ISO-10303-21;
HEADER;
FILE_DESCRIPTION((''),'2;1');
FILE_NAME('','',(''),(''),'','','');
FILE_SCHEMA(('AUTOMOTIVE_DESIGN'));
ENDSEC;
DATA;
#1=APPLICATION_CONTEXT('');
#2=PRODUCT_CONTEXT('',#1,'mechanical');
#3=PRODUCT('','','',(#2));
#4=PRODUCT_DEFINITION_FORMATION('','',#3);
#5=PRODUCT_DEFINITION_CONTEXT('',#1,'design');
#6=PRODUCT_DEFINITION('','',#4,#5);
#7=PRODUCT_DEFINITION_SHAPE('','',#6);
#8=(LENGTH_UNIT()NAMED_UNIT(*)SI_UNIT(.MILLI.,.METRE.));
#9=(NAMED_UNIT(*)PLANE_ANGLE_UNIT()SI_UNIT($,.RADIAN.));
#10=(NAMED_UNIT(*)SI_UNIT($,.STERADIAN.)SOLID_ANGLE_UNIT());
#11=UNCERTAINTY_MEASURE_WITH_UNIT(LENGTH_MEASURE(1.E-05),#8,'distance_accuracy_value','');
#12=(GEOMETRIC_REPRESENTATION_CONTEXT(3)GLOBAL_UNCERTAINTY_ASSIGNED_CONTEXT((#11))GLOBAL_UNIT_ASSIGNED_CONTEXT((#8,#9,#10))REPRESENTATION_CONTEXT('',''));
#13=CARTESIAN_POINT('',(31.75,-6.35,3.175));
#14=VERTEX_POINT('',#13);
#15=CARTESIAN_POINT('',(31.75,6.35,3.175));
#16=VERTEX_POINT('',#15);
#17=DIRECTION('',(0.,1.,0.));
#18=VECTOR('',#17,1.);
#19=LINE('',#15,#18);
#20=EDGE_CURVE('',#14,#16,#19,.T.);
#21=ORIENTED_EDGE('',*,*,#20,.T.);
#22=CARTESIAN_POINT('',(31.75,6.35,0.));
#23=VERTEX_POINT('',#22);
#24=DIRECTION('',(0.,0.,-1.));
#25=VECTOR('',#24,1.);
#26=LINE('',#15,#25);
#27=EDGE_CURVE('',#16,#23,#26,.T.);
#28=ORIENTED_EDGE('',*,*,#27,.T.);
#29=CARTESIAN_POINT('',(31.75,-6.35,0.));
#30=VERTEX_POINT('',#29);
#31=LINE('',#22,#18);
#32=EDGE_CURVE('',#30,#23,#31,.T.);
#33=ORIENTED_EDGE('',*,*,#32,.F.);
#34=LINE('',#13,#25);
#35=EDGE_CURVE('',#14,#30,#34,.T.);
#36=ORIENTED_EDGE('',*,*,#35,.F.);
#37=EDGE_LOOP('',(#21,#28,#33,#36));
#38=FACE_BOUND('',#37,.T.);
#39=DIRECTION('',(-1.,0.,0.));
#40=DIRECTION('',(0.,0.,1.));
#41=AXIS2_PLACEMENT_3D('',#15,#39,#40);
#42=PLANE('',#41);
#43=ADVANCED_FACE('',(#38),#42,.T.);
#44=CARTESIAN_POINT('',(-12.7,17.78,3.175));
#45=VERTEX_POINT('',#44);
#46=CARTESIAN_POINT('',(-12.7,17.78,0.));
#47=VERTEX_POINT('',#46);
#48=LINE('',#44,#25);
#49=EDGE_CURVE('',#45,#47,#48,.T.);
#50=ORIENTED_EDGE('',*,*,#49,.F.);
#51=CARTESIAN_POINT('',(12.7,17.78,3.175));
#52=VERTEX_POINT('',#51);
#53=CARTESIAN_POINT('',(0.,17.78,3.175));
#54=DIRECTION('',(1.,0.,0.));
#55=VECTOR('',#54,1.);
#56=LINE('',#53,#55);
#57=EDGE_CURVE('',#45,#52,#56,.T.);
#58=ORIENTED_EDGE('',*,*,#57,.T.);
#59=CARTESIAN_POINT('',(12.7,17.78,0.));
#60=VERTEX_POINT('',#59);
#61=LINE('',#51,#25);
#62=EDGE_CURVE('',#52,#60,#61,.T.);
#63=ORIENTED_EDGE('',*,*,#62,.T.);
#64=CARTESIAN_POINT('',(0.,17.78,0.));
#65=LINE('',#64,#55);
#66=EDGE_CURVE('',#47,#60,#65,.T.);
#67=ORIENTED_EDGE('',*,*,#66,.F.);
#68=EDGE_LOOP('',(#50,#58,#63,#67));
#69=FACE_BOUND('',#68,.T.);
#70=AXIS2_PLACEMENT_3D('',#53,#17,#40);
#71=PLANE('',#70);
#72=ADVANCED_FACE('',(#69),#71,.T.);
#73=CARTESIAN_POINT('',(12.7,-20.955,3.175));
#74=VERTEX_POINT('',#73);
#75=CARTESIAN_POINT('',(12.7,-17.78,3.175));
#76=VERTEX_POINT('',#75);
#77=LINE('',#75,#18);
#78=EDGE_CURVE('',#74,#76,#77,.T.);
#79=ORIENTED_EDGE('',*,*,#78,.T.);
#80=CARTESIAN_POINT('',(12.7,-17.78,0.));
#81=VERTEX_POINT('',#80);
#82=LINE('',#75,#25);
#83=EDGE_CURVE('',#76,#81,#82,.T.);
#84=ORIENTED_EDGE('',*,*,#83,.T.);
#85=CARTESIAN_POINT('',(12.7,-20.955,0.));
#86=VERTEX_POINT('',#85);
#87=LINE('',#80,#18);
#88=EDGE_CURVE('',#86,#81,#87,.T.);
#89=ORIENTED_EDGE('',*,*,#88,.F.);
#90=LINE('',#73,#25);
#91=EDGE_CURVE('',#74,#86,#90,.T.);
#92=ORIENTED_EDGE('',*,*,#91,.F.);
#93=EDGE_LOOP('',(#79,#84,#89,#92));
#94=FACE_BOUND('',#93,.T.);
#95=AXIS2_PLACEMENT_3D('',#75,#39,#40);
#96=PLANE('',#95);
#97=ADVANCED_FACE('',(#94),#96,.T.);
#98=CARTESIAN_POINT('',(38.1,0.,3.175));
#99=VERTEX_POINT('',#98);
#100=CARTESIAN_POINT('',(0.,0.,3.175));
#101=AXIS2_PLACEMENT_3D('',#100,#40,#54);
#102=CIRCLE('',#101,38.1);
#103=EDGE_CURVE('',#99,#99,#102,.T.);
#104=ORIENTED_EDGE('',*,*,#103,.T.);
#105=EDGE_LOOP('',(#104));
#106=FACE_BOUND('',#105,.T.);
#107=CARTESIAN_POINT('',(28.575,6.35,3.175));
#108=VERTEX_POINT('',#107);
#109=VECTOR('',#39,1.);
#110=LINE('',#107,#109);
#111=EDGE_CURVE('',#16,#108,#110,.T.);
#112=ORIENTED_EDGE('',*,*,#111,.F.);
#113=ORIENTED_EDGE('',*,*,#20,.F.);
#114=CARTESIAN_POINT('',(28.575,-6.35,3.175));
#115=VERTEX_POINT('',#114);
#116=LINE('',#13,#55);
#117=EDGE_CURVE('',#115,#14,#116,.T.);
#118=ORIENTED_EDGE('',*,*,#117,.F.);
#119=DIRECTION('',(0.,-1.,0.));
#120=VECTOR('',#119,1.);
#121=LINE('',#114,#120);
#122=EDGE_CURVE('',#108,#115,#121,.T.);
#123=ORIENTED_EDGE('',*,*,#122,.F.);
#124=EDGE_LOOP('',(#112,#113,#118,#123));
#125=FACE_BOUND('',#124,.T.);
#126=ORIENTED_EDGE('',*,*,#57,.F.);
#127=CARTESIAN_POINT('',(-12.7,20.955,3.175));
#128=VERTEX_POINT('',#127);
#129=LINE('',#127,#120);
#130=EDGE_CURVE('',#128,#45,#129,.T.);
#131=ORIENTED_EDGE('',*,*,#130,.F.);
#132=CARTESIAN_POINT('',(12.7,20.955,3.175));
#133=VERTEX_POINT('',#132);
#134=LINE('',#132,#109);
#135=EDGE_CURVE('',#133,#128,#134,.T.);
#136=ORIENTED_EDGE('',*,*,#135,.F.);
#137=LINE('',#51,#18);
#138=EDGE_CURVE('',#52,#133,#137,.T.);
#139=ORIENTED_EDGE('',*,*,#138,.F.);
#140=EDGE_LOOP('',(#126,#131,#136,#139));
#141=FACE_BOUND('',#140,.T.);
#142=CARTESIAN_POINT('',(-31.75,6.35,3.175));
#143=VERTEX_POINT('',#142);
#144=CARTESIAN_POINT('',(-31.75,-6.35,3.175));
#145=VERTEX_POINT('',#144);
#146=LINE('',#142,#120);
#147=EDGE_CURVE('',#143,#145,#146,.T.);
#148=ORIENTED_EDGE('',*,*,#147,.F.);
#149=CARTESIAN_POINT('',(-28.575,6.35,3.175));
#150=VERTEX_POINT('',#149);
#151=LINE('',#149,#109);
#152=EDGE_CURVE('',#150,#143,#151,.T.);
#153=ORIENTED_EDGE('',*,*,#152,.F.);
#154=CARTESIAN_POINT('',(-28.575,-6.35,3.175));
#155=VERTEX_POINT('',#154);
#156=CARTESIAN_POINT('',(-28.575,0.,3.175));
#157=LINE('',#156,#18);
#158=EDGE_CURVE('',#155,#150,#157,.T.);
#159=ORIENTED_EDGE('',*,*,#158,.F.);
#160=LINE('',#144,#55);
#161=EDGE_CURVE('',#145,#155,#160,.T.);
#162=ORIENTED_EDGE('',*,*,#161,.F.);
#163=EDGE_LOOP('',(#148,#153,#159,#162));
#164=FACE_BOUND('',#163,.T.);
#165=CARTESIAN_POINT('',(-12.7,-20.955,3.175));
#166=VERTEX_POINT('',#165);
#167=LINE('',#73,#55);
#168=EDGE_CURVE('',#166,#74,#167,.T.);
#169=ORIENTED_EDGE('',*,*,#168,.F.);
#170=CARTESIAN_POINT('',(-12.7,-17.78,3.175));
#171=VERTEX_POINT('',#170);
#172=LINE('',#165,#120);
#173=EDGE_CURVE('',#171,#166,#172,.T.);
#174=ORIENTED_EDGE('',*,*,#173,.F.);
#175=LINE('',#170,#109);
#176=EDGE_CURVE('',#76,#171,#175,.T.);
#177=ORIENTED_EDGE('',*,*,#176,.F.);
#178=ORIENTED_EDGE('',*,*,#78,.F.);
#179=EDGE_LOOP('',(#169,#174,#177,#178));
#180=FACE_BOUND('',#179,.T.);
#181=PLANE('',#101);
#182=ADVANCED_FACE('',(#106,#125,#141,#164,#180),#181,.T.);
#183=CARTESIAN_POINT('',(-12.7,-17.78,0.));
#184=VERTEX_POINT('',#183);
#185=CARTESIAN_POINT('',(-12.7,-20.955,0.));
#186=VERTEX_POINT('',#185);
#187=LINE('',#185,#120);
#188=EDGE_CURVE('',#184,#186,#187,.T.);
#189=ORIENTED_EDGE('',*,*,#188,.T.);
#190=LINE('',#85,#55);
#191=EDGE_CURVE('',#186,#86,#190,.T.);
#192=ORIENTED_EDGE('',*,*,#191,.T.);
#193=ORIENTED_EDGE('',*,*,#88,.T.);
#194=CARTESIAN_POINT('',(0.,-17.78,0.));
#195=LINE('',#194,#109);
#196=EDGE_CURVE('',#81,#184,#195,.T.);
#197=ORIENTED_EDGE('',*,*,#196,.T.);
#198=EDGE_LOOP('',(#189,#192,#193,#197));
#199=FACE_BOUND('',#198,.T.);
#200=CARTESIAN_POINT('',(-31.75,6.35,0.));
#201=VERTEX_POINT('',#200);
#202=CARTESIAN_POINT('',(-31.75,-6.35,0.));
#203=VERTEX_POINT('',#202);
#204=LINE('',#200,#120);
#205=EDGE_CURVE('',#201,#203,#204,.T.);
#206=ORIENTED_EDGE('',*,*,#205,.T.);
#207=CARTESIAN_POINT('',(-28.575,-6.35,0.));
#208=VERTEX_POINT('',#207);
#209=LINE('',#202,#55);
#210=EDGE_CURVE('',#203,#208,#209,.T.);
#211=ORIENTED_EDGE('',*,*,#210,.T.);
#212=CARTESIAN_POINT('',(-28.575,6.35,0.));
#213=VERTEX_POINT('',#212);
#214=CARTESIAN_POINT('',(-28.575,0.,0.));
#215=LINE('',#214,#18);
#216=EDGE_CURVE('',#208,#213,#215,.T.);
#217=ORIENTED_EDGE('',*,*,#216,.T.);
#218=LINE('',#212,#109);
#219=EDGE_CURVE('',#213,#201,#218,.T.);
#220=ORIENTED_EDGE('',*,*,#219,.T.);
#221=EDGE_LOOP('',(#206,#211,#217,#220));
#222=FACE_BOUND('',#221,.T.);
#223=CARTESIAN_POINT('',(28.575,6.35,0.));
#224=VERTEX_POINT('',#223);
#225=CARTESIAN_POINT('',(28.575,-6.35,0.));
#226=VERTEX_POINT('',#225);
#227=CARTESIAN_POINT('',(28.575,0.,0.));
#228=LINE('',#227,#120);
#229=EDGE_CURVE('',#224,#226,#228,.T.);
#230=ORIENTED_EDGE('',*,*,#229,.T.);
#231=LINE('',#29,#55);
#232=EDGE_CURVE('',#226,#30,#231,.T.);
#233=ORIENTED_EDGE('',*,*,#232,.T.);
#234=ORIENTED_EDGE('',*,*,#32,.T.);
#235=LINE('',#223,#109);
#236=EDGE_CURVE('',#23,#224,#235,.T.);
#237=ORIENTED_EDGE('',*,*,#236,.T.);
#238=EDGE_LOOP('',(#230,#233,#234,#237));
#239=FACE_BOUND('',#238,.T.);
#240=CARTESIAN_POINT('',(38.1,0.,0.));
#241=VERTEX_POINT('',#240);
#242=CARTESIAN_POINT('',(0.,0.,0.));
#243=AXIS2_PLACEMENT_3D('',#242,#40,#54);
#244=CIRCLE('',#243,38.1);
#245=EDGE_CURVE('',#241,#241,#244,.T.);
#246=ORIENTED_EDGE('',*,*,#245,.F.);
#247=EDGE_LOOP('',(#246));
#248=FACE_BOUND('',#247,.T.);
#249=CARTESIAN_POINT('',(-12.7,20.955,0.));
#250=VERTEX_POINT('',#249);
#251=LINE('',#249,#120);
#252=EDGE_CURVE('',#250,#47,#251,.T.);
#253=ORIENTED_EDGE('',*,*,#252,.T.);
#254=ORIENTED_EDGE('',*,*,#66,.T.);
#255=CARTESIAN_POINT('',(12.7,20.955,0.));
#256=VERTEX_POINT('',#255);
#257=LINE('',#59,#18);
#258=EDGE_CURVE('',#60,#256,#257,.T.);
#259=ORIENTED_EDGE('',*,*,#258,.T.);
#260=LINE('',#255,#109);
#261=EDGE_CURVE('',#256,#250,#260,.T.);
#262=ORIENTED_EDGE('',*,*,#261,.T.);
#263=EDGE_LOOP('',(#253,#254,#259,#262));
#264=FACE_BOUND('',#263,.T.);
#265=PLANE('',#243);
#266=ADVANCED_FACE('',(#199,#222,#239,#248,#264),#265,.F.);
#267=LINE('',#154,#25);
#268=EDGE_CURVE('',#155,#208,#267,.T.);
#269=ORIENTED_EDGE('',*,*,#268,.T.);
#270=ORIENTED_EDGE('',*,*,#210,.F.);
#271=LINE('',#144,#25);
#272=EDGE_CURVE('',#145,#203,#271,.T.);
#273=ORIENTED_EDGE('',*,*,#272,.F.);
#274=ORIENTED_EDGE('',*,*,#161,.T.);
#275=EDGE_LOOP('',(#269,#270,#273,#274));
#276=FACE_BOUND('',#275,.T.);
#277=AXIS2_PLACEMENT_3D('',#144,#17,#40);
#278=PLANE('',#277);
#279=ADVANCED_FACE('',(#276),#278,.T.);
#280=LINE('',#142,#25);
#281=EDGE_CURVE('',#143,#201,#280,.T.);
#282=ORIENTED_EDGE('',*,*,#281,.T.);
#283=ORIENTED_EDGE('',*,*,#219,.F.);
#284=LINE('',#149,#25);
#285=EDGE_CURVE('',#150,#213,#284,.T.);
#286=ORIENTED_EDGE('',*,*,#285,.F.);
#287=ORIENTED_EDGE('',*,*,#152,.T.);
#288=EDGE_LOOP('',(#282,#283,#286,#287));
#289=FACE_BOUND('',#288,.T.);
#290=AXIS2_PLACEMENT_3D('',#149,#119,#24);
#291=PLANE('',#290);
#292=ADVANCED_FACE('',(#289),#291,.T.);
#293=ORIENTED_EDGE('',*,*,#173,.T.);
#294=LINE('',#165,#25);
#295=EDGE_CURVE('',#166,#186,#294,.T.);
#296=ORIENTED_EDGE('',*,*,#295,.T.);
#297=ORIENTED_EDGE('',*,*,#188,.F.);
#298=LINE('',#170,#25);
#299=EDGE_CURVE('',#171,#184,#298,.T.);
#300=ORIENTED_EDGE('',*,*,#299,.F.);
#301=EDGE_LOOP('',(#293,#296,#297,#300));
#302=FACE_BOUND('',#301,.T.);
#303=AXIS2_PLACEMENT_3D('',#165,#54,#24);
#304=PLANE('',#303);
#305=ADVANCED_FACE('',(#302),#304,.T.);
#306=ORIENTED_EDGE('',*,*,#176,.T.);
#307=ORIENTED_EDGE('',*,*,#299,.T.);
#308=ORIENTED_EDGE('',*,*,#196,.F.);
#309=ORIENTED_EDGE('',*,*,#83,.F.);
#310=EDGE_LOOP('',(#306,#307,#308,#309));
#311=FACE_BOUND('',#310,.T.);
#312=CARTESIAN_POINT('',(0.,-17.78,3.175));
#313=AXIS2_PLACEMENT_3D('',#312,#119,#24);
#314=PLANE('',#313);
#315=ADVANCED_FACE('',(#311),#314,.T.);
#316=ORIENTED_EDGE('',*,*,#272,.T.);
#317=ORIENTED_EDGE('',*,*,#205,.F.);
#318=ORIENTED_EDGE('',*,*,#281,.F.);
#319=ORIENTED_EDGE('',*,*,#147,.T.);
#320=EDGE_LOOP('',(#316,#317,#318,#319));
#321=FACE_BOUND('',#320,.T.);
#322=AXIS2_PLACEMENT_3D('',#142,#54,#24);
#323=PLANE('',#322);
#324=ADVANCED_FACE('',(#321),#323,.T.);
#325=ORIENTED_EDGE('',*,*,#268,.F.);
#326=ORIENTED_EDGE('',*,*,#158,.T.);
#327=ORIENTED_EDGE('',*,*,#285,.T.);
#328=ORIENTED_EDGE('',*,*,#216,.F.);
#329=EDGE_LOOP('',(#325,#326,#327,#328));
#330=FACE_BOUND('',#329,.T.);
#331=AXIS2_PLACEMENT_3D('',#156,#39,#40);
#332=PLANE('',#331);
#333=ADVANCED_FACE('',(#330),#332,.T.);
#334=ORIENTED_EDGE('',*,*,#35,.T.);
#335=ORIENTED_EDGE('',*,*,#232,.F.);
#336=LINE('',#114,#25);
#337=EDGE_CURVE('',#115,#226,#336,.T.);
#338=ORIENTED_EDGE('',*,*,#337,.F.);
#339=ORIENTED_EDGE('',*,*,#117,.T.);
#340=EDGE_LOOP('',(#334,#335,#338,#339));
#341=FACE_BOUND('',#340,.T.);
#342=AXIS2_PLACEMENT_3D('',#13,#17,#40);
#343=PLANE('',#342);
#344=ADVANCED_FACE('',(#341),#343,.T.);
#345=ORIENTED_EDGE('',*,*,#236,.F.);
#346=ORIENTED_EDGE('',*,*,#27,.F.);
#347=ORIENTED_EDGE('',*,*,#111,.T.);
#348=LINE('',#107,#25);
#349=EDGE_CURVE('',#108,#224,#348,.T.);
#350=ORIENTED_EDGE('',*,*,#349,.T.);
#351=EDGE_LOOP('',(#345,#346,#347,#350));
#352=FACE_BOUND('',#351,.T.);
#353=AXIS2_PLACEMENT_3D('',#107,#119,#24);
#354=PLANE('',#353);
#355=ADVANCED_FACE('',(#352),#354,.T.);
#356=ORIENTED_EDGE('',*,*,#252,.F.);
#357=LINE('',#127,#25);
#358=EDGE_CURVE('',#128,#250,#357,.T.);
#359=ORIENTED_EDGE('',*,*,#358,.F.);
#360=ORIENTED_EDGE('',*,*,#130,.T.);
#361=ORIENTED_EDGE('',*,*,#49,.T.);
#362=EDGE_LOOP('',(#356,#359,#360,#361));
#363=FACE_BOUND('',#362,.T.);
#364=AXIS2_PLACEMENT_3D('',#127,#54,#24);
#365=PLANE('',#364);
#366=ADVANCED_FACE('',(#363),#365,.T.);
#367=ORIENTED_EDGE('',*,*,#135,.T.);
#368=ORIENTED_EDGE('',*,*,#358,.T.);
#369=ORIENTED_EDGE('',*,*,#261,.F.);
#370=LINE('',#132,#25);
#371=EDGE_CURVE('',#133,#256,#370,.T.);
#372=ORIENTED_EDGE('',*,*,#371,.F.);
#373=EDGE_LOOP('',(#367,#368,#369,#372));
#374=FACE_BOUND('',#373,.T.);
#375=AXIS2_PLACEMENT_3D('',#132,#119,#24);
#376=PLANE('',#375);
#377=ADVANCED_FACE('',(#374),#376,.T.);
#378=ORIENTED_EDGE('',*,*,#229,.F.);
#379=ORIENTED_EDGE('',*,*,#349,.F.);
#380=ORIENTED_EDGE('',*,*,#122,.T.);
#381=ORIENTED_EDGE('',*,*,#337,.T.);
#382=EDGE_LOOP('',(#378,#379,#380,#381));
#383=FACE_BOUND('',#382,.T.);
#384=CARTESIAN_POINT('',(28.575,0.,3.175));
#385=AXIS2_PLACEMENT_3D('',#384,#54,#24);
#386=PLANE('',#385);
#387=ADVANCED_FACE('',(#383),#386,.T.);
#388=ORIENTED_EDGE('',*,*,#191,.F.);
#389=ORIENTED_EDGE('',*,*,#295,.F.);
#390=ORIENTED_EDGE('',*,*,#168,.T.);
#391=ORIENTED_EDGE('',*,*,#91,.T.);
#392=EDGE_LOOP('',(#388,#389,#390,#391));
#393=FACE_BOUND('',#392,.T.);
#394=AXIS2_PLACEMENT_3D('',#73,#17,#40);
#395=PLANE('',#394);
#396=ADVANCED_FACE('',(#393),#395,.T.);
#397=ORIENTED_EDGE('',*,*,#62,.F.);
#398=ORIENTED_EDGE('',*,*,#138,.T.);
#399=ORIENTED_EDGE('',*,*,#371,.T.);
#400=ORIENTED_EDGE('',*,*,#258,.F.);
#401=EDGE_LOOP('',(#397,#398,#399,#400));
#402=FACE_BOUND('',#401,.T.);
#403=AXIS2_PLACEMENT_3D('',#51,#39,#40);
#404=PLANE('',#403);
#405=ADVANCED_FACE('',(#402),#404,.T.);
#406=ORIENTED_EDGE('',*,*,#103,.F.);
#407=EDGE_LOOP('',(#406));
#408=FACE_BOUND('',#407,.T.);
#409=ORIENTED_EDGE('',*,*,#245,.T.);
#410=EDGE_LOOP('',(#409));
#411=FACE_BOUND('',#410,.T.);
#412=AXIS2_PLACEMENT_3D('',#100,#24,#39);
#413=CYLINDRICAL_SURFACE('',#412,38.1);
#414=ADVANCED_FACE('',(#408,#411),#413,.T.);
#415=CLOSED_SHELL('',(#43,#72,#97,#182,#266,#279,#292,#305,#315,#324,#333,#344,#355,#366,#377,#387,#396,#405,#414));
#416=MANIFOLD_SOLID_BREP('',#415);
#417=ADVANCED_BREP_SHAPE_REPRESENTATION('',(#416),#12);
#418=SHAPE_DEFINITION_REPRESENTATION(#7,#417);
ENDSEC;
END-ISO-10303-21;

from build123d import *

# Parameters (mm, degrees)
SKETCH1_R           = 38.1
BOSS_EXTRUDE1_DEPTH = 3.175
CUT_EXTRUDE1_DEPTH  = 3.175


with BuildPart() as part:
    # Sketch1 → Boss-Extrude1 (new body)
    with BuildSketch(Plane.XY):
        Circle(SKETCH1_R)
    extrude(amount=BOSS_EXTRUDE1_DEPTH)

    # Sketch2 → Cut-Extrude1 (cut)
    with BuildSketch(Plane.XY):
        Polygon((0, 17.78), (12.7, 17.78), (12.7, 20.955), (-12.7, 20.955), (-12.7, 17.78), align=None)
        Polygon((0, -17.78), (12.7, -17.78), (12.7, -20.955), (-12.7, -20.955), (-12.7, -17.78), align=None)
        Polygon((-28.575, 0), (-28.575, -6.35), (-31.75, -6.35), (-31.75, 6.35), (-28.575, 6.35), align=None)
        Polygon((28.575, 0), (28.575, 6.35), (31.75, 6.35), (31.75, -6.35), (28.575, -6.35), align=None)
    extrude(amount=CUT_EXTRUDE1_DEPTH, mode=Mode.SUBTRACT)


solid = part.part
